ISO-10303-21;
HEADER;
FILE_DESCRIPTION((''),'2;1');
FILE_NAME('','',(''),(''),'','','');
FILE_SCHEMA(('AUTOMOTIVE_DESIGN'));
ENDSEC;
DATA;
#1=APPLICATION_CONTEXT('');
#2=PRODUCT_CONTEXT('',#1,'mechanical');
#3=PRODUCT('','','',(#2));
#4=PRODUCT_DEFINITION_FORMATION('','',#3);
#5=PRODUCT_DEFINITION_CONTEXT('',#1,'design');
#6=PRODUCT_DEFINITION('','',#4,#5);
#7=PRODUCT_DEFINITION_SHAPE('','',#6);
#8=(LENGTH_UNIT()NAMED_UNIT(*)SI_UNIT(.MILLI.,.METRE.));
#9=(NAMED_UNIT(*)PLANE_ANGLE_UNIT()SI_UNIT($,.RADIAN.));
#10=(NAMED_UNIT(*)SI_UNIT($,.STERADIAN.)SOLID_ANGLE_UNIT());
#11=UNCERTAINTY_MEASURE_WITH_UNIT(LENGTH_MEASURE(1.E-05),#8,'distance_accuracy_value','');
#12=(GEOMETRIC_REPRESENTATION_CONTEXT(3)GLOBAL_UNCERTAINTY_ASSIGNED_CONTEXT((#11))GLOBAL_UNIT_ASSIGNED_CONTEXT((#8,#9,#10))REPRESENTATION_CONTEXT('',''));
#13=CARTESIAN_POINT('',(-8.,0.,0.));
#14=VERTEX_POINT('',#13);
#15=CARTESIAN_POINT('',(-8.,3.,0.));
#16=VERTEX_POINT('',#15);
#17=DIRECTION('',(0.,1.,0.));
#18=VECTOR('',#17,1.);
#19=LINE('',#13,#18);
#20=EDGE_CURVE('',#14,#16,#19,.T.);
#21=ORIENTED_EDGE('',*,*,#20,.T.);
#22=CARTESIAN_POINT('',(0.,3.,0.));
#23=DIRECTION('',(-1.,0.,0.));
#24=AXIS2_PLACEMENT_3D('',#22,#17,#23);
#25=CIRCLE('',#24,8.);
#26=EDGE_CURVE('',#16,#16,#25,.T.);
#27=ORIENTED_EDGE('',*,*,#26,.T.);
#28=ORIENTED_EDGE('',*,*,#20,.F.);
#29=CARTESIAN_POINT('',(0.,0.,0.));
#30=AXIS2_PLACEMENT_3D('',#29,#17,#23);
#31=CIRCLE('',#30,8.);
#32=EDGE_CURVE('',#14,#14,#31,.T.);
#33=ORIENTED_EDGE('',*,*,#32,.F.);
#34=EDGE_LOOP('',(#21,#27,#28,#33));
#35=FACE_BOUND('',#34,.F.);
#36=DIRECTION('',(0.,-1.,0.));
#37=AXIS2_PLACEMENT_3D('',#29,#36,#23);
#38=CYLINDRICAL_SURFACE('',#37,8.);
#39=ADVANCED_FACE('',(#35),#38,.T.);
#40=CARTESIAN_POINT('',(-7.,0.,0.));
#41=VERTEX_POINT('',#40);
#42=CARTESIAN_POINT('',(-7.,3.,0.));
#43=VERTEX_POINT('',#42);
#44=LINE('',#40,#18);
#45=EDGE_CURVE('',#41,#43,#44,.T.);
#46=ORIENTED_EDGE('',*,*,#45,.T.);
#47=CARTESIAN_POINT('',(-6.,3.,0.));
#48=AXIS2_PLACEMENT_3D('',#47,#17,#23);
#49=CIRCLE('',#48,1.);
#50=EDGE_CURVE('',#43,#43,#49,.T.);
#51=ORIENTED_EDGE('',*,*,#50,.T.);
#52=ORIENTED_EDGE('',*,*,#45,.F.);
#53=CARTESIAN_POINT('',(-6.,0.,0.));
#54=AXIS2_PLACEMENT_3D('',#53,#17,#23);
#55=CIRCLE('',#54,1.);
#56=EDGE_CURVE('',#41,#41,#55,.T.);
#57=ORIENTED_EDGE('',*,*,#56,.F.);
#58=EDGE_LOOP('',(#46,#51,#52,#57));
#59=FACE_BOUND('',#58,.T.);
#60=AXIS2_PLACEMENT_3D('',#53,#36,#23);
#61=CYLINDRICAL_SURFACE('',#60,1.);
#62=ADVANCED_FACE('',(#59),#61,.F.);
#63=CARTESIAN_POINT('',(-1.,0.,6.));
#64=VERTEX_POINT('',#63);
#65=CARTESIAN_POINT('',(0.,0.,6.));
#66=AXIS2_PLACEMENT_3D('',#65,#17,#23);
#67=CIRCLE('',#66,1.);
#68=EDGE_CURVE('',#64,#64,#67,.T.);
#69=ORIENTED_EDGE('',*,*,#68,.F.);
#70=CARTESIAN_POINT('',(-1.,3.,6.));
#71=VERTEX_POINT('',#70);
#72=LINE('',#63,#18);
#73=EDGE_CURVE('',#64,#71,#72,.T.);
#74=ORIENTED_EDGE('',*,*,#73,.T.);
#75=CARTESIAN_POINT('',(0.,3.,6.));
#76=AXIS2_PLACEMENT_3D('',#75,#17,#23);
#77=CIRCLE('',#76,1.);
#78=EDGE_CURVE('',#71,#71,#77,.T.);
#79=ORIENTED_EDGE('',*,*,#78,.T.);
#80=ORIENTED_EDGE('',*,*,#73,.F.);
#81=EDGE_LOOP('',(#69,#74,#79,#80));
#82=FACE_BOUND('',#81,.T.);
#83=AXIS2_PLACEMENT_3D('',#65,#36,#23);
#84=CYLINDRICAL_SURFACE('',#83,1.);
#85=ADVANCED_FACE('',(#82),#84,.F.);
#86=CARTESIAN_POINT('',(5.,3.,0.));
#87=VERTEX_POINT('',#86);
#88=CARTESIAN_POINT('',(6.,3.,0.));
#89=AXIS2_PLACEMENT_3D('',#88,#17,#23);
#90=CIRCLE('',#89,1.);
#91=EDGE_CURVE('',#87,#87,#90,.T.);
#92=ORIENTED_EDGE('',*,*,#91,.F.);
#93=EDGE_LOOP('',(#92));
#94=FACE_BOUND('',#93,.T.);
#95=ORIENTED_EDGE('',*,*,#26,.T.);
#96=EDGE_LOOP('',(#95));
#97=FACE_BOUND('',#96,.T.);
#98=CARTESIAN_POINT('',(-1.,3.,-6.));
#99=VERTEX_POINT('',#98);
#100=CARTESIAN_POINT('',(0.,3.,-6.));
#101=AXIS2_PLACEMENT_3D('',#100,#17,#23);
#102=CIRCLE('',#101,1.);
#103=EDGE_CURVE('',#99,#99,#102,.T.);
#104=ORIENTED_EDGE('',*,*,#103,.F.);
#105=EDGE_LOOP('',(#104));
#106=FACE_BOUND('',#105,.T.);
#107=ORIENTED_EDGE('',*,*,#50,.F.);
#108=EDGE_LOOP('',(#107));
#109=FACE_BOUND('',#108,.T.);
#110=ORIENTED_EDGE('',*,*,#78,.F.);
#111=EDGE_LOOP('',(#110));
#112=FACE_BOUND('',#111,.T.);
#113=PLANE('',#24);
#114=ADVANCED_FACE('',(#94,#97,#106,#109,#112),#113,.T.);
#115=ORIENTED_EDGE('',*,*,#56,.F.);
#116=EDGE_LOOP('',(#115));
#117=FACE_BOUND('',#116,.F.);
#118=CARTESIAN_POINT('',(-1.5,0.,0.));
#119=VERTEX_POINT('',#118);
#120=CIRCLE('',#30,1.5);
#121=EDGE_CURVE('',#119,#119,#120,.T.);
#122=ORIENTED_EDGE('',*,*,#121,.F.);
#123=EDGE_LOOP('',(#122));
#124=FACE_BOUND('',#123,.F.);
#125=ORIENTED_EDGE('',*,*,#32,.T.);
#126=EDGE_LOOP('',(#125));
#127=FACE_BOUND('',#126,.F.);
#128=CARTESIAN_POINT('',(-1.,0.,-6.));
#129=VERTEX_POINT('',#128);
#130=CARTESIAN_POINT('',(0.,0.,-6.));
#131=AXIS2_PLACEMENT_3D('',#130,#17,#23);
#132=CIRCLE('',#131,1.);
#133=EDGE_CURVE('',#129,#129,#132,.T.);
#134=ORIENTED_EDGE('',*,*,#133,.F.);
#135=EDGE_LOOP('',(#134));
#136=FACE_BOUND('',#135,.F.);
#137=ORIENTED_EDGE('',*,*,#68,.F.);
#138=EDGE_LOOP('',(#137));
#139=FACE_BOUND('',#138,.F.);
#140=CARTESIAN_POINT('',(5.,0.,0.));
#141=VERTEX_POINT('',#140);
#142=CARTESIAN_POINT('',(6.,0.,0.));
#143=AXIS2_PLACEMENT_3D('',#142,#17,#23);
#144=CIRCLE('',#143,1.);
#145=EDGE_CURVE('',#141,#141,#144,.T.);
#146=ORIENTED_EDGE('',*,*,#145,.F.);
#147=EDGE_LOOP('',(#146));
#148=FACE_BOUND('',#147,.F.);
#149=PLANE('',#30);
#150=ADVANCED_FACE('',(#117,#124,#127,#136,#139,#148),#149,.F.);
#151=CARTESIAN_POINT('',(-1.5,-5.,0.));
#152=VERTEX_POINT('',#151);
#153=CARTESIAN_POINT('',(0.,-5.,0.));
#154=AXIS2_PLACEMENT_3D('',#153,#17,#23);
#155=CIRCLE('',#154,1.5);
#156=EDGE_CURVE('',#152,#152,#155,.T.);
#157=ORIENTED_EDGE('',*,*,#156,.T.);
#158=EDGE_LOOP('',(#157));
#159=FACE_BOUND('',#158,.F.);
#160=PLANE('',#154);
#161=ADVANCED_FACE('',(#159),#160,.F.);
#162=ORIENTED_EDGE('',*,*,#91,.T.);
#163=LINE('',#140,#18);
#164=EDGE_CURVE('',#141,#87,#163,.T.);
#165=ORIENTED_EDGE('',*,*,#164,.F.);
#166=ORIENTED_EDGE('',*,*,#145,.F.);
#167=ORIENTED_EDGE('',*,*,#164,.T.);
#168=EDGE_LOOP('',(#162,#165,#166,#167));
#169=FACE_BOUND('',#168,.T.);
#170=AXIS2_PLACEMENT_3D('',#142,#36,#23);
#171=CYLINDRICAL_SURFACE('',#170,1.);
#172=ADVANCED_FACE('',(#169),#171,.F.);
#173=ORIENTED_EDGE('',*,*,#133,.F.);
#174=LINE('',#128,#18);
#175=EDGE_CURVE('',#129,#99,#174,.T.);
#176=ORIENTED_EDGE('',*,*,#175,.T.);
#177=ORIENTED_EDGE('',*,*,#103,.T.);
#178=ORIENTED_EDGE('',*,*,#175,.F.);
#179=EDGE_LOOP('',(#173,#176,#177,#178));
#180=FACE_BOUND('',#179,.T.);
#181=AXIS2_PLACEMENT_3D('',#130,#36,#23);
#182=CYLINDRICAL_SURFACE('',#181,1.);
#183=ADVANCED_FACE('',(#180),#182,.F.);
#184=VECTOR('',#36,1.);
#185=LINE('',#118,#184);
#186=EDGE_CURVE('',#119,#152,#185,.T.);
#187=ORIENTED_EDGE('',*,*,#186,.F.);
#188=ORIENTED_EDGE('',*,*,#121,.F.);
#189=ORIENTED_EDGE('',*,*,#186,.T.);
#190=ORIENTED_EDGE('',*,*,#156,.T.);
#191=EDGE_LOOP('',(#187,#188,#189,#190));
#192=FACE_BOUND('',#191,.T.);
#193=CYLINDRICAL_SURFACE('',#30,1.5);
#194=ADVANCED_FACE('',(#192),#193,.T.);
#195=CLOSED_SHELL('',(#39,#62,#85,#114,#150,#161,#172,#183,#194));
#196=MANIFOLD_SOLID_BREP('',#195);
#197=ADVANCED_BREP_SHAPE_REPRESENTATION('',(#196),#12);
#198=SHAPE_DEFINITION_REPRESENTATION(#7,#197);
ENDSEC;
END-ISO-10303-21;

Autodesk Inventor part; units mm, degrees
ref_plane "YZ Plane" through (0, 0, 0) normal (1, 0, 0) x (0, 1, 0)
ref_plane "XZ Plane" through (0, 0, 0) normal (0, 1, 0) x (-1, 0, 0)
ref_plane "XY Plane" through (0, 0, 0) normal (0, 0, 1) x (1, 0, 0)
sketch "Эскиз1" plane through (0, 0, 0) normal (0, 1, 0) x (-1, 0, 0)
  circle A0 centre (0, 0) radius 8
  circle A1 centre (0, 6) radius 1
  circle A2 centre (-6, 0) radius 1
  circle A3 centre (0, -6) radius 1
  circle A4 centre (6, 0) radius 1
  circle A5 centre (0, 0) radius 1.5
  dimension "d0" = 16
  dimension "d1" = 2
  dimension "d2" = 6
  dimension "d5" = 360
  dimension "d7" = 3
extrude "Выдавливание1" add sketch "Эскиз1" along normal blind 3
extrude "Выдавливание2" add sketch "Эскиз1" along normal blind 3 and the other way blind 5 contours A5
properties part number "крутящаяся передача"
